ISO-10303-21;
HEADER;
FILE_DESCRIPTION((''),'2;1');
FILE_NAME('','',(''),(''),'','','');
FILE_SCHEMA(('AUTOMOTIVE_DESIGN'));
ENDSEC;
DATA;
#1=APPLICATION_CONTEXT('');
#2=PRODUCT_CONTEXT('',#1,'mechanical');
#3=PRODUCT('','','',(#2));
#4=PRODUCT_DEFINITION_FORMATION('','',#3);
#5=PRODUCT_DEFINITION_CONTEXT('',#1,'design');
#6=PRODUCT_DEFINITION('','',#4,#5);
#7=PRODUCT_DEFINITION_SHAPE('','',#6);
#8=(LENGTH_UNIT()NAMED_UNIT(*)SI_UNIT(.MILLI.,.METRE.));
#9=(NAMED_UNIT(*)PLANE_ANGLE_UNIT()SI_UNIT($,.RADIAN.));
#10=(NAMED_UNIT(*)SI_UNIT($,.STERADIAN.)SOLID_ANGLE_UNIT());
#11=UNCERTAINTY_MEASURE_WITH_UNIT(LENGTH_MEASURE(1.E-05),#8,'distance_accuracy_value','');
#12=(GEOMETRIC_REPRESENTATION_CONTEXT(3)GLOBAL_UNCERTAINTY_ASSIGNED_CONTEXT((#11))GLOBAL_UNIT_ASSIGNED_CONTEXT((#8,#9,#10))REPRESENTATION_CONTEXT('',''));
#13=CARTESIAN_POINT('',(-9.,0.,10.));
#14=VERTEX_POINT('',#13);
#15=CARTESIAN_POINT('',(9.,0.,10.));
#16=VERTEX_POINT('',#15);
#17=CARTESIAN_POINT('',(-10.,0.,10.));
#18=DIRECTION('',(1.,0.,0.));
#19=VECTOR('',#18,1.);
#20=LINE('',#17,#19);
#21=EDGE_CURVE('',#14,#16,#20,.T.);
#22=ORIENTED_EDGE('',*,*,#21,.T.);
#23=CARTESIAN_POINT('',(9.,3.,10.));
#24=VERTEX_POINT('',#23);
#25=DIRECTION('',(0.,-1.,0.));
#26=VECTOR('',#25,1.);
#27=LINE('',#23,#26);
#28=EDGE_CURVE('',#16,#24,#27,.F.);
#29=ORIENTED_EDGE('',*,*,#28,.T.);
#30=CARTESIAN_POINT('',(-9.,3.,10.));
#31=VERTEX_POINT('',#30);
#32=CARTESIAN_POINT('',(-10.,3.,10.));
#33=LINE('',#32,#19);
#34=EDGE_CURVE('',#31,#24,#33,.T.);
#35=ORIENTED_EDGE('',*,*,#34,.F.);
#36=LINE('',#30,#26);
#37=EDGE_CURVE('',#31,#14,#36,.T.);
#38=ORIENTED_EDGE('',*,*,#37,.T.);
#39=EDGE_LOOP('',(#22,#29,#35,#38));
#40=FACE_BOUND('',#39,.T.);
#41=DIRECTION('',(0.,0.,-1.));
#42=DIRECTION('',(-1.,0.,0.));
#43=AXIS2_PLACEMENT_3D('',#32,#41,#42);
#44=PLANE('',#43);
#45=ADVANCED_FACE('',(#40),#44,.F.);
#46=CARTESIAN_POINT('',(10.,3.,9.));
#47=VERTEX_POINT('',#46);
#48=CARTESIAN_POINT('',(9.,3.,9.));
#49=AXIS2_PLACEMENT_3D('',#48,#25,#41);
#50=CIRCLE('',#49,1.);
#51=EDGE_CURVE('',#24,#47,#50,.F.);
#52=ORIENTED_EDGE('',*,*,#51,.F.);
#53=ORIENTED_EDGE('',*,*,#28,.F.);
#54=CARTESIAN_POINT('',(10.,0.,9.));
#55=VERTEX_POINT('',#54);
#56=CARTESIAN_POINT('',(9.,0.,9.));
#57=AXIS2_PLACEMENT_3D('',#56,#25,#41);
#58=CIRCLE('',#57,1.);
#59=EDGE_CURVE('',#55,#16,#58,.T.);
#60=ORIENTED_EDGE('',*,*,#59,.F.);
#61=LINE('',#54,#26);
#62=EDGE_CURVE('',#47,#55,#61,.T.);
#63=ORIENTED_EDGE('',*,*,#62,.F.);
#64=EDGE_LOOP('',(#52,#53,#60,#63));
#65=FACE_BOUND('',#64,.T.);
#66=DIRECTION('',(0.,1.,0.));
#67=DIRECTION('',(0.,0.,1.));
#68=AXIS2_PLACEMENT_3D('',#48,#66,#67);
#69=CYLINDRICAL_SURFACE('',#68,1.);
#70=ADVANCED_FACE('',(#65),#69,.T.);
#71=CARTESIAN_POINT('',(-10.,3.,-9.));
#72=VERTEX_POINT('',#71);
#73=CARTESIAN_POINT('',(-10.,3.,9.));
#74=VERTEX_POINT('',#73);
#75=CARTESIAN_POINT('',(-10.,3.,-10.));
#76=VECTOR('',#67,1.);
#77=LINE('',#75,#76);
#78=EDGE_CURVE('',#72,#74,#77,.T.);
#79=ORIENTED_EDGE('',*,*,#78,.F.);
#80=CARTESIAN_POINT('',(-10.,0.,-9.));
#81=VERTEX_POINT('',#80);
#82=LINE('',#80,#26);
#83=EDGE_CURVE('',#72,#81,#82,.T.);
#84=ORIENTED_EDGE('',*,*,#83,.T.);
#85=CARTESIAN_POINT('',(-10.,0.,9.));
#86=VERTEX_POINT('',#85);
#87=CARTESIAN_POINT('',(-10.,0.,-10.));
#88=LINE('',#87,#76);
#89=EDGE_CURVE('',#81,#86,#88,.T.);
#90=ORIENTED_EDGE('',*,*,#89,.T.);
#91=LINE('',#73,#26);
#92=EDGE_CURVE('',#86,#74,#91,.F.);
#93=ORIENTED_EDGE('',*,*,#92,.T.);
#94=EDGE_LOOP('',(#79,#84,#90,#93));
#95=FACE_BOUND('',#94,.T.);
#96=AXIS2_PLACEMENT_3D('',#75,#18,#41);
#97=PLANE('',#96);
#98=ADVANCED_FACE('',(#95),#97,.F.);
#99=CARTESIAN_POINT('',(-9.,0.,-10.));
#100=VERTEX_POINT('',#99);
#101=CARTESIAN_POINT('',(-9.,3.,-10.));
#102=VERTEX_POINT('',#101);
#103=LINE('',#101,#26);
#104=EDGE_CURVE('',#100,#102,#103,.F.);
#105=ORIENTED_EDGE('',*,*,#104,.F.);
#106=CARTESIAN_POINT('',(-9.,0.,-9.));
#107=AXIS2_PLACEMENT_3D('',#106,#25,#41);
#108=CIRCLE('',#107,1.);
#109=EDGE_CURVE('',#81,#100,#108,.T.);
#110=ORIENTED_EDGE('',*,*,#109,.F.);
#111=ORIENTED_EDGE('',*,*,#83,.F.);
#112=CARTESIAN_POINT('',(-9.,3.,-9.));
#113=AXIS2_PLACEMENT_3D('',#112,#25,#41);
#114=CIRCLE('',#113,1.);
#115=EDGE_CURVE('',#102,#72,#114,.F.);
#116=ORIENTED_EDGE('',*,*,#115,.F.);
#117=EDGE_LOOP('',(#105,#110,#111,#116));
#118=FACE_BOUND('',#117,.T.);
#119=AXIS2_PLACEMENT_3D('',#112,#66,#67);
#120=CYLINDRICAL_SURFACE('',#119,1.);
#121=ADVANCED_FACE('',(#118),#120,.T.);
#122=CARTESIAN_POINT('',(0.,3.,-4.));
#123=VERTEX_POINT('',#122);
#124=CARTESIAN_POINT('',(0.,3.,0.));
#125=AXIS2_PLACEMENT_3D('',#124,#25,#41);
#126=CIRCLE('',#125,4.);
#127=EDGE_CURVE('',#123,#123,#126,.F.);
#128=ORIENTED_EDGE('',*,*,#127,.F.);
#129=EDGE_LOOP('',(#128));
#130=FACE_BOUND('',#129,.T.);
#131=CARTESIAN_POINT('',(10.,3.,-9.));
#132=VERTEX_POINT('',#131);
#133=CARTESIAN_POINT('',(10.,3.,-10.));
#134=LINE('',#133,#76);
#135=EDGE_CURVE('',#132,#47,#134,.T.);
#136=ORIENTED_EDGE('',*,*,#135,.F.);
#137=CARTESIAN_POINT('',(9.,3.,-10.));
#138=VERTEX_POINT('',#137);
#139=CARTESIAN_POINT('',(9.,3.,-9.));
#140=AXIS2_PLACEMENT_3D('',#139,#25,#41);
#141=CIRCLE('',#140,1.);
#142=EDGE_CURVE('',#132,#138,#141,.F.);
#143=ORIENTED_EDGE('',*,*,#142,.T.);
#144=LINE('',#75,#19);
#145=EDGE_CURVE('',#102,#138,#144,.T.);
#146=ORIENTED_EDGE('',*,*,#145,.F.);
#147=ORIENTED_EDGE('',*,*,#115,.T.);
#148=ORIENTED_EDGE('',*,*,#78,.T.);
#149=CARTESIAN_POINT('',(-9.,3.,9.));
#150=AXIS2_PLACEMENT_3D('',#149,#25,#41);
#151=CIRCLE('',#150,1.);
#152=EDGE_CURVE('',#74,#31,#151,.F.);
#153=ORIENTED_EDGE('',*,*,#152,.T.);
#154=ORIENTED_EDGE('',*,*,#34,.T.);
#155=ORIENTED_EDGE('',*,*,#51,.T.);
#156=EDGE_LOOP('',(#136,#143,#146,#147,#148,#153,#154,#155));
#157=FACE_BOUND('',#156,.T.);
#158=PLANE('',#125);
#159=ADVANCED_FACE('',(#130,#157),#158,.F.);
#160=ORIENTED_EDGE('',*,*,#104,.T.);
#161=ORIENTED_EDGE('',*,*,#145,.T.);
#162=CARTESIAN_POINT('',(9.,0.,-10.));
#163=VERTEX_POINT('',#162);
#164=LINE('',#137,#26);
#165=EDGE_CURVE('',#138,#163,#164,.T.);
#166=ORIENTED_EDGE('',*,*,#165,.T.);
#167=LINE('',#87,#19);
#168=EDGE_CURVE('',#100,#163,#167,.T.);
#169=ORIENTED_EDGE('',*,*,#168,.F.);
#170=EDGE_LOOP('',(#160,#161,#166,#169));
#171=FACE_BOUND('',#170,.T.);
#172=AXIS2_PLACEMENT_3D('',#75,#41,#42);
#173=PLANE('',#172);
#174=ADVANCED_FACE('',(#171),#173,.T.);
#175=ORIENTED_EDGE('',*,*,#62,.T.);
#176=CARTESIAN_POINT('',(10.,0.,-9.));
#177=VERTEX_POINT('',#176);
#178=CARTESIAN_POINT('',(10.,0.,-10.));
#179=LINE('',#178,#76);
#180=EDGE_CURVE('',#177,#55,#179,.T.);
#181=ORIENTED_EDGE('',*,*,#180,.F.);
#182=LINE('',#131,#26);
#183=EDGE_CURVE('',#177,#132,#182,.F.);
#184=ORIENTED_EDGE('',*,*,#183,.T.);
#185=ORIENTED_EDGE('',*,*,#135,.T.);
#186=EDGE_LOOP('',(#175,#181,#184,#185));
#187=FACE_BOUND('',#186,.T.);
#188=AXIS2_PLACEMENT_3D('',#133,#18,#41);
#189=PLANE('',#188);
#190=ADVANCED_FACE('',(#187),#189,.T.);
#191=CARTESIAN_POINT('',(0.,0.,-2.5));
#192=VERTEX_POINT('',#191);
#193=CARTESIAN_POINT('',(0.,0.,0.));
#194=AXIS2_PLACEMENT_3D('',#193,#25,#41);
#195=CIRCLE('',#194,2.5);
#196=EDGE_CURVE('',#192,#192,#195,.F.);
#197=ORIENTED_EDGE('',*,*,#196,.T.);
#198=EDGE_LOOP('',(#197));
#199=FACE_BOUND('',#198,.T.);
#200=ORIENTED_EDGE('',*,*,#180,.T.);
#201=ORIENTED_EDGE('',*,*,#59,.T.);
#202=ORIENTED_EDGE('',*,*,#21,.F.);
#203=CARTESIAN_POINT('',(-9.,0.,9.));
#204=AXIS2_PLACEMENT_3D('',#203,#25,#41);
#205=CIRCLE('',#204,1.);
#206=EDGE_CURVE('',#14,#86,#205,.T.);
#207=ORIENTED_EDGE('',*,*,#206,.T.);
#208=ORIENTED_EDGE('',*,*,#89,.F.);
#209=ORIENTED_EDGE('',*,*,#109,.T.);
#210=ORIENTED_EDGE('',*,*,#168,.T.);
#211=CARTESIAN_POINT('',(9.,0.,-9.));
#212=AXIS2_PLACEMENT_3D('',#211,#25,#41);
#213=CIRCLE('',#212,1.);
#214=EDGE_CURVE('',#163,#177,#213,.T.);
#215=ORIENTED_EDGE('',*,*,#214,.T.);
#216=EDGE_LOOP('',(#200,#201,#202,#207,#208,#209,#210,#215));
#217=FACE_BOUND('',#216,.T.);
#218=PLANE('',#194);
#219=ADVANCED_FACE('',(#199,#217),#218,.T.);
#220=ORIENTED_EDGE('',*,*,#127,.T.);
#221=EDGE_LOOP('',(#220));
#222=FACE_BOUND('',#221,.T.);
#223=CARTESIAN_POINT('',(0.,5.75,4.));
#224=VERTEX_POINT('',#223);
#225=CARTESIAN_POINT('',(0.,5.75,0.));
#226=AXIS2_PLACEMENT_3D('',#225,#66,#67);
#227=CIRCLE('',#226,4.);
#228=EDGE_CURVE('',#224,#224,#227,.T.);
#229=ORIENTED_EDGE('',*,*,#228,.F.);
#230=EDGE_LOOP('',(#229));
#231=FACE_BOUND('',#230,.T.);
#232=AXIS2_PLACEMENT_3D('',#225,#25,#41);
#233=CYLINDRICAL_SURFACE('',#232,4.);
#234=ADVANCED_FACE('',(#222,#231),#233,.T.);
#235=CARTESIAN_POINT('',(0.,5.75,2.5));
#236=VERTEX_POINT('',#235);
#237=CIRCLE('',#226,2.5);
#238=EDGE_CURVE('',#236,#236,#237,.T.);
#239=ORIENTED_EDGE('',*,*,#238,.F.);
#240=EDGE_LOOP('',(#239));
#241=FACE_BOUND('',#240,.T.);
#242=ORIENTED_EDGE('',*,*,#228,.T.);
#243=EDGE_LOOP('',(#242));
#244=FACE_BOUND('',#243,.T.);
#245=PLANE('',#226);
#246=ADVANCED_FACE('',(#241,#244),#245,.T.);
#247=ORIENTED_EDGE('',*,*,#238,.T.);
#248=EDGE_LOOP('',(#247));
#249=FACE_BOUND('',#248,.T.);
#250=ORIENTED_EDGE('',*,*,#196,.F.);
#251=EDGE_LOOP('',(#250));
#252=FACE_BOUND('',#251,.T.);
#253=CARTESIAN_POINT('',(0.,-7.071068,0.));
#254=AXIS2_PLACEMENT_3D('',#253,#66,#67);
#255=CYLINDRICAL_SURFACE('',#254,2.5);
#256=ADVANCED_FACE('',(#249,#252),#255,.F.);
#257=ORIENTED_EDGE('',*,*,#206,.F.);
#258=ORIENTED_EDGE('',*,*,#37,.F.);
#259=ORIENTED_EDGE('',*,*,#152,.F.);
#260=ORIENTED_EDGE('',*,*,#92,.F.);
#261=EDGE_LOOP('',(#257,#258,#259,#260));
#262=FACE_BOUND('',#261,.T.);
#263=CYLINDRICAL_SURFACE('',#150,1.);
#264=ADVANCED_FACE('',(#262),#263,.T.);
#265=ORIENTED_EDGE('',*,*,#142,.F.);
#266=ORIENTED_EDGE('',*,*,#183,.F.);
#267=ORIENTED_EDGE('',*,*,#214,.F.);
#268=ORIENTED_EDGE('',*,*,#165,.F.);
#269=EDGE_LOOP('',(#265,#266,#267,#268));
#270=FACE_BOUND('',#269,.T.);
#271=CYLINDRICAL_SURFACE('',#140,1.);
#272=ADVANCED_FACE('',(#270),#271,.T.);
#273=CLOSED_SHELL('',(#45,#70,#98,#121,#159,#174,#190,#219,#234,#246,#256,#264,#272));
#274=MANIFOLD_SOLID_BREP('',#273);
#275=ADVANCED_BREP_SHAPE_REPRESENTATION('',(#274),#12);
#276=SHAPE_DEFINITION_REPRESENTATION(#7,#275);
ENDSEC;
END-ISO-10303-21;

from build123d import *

# Parameters (mm, degrees)
SKETCH1_W           = 20
SKETCH1_H           = 20
BOSS_EXTRUDE1_DEPTH = 3
FILLET1_R           = 1
SKETCH1_3_R         = 4
BOSS_EXTRUDE2_DEPTH = 5.75
SKETCH2_R           = 2.5
CUT_EXTRUDE1_DEPTH  = 5.75


with BuildPart() as part:
    # Sketch1 → Boss-Extrude1 (new body)
    with BuildSketch(Plane(origin=(0, 0, 0), x_dir=(1, 0, 0), z_dir=(0, 1, 0))):
        Rectangle(SKETCH1_W, SKETCH1_H)
    extrude(amount=BOSS_EXTRUDE1_DEPTH)

    # Fillet1
    fillet1_edges = [part.edges().sort_by_distance(p)[0] for p in [
        (-10, 1.5, -10),
        (-10, 1.5, 10),
        (10, 1.5, 10),
        (10, 1.5, -10),
    ]]
    fillet(fillet1_edges, radius=FILLET1_R)

    # Sketch1<3> → Boss-Extrude2 (add)
    with BuildSketch(Plane(origin=(0, 0, 0), x_dir=(1, 0, 0), z_dir=(0, 1, 0))):
        with Locations(Location((0, 0, 0), (0, 0, 90))):
            Circle(SKETCH1_3_R)
    extrude(amount=BOSS_EXTRUDE2_DEPTH)

    # Sketch2 → Cut-Extrude1 (cut)
    with BuildSketch(Plane(origin=(0, 5.75, 0), x_dir=(1, 0, 0), z_dir=(0, 1, 0))):
        with Locations(Location((0, 0, 0), (0, 0, 270))):
            Circle(SKETCH2_R)
    extrude(amount=-CUT_EXTRUDE1_DEPTH, mode=Mode.SUBTRACT)


solid = part.part
